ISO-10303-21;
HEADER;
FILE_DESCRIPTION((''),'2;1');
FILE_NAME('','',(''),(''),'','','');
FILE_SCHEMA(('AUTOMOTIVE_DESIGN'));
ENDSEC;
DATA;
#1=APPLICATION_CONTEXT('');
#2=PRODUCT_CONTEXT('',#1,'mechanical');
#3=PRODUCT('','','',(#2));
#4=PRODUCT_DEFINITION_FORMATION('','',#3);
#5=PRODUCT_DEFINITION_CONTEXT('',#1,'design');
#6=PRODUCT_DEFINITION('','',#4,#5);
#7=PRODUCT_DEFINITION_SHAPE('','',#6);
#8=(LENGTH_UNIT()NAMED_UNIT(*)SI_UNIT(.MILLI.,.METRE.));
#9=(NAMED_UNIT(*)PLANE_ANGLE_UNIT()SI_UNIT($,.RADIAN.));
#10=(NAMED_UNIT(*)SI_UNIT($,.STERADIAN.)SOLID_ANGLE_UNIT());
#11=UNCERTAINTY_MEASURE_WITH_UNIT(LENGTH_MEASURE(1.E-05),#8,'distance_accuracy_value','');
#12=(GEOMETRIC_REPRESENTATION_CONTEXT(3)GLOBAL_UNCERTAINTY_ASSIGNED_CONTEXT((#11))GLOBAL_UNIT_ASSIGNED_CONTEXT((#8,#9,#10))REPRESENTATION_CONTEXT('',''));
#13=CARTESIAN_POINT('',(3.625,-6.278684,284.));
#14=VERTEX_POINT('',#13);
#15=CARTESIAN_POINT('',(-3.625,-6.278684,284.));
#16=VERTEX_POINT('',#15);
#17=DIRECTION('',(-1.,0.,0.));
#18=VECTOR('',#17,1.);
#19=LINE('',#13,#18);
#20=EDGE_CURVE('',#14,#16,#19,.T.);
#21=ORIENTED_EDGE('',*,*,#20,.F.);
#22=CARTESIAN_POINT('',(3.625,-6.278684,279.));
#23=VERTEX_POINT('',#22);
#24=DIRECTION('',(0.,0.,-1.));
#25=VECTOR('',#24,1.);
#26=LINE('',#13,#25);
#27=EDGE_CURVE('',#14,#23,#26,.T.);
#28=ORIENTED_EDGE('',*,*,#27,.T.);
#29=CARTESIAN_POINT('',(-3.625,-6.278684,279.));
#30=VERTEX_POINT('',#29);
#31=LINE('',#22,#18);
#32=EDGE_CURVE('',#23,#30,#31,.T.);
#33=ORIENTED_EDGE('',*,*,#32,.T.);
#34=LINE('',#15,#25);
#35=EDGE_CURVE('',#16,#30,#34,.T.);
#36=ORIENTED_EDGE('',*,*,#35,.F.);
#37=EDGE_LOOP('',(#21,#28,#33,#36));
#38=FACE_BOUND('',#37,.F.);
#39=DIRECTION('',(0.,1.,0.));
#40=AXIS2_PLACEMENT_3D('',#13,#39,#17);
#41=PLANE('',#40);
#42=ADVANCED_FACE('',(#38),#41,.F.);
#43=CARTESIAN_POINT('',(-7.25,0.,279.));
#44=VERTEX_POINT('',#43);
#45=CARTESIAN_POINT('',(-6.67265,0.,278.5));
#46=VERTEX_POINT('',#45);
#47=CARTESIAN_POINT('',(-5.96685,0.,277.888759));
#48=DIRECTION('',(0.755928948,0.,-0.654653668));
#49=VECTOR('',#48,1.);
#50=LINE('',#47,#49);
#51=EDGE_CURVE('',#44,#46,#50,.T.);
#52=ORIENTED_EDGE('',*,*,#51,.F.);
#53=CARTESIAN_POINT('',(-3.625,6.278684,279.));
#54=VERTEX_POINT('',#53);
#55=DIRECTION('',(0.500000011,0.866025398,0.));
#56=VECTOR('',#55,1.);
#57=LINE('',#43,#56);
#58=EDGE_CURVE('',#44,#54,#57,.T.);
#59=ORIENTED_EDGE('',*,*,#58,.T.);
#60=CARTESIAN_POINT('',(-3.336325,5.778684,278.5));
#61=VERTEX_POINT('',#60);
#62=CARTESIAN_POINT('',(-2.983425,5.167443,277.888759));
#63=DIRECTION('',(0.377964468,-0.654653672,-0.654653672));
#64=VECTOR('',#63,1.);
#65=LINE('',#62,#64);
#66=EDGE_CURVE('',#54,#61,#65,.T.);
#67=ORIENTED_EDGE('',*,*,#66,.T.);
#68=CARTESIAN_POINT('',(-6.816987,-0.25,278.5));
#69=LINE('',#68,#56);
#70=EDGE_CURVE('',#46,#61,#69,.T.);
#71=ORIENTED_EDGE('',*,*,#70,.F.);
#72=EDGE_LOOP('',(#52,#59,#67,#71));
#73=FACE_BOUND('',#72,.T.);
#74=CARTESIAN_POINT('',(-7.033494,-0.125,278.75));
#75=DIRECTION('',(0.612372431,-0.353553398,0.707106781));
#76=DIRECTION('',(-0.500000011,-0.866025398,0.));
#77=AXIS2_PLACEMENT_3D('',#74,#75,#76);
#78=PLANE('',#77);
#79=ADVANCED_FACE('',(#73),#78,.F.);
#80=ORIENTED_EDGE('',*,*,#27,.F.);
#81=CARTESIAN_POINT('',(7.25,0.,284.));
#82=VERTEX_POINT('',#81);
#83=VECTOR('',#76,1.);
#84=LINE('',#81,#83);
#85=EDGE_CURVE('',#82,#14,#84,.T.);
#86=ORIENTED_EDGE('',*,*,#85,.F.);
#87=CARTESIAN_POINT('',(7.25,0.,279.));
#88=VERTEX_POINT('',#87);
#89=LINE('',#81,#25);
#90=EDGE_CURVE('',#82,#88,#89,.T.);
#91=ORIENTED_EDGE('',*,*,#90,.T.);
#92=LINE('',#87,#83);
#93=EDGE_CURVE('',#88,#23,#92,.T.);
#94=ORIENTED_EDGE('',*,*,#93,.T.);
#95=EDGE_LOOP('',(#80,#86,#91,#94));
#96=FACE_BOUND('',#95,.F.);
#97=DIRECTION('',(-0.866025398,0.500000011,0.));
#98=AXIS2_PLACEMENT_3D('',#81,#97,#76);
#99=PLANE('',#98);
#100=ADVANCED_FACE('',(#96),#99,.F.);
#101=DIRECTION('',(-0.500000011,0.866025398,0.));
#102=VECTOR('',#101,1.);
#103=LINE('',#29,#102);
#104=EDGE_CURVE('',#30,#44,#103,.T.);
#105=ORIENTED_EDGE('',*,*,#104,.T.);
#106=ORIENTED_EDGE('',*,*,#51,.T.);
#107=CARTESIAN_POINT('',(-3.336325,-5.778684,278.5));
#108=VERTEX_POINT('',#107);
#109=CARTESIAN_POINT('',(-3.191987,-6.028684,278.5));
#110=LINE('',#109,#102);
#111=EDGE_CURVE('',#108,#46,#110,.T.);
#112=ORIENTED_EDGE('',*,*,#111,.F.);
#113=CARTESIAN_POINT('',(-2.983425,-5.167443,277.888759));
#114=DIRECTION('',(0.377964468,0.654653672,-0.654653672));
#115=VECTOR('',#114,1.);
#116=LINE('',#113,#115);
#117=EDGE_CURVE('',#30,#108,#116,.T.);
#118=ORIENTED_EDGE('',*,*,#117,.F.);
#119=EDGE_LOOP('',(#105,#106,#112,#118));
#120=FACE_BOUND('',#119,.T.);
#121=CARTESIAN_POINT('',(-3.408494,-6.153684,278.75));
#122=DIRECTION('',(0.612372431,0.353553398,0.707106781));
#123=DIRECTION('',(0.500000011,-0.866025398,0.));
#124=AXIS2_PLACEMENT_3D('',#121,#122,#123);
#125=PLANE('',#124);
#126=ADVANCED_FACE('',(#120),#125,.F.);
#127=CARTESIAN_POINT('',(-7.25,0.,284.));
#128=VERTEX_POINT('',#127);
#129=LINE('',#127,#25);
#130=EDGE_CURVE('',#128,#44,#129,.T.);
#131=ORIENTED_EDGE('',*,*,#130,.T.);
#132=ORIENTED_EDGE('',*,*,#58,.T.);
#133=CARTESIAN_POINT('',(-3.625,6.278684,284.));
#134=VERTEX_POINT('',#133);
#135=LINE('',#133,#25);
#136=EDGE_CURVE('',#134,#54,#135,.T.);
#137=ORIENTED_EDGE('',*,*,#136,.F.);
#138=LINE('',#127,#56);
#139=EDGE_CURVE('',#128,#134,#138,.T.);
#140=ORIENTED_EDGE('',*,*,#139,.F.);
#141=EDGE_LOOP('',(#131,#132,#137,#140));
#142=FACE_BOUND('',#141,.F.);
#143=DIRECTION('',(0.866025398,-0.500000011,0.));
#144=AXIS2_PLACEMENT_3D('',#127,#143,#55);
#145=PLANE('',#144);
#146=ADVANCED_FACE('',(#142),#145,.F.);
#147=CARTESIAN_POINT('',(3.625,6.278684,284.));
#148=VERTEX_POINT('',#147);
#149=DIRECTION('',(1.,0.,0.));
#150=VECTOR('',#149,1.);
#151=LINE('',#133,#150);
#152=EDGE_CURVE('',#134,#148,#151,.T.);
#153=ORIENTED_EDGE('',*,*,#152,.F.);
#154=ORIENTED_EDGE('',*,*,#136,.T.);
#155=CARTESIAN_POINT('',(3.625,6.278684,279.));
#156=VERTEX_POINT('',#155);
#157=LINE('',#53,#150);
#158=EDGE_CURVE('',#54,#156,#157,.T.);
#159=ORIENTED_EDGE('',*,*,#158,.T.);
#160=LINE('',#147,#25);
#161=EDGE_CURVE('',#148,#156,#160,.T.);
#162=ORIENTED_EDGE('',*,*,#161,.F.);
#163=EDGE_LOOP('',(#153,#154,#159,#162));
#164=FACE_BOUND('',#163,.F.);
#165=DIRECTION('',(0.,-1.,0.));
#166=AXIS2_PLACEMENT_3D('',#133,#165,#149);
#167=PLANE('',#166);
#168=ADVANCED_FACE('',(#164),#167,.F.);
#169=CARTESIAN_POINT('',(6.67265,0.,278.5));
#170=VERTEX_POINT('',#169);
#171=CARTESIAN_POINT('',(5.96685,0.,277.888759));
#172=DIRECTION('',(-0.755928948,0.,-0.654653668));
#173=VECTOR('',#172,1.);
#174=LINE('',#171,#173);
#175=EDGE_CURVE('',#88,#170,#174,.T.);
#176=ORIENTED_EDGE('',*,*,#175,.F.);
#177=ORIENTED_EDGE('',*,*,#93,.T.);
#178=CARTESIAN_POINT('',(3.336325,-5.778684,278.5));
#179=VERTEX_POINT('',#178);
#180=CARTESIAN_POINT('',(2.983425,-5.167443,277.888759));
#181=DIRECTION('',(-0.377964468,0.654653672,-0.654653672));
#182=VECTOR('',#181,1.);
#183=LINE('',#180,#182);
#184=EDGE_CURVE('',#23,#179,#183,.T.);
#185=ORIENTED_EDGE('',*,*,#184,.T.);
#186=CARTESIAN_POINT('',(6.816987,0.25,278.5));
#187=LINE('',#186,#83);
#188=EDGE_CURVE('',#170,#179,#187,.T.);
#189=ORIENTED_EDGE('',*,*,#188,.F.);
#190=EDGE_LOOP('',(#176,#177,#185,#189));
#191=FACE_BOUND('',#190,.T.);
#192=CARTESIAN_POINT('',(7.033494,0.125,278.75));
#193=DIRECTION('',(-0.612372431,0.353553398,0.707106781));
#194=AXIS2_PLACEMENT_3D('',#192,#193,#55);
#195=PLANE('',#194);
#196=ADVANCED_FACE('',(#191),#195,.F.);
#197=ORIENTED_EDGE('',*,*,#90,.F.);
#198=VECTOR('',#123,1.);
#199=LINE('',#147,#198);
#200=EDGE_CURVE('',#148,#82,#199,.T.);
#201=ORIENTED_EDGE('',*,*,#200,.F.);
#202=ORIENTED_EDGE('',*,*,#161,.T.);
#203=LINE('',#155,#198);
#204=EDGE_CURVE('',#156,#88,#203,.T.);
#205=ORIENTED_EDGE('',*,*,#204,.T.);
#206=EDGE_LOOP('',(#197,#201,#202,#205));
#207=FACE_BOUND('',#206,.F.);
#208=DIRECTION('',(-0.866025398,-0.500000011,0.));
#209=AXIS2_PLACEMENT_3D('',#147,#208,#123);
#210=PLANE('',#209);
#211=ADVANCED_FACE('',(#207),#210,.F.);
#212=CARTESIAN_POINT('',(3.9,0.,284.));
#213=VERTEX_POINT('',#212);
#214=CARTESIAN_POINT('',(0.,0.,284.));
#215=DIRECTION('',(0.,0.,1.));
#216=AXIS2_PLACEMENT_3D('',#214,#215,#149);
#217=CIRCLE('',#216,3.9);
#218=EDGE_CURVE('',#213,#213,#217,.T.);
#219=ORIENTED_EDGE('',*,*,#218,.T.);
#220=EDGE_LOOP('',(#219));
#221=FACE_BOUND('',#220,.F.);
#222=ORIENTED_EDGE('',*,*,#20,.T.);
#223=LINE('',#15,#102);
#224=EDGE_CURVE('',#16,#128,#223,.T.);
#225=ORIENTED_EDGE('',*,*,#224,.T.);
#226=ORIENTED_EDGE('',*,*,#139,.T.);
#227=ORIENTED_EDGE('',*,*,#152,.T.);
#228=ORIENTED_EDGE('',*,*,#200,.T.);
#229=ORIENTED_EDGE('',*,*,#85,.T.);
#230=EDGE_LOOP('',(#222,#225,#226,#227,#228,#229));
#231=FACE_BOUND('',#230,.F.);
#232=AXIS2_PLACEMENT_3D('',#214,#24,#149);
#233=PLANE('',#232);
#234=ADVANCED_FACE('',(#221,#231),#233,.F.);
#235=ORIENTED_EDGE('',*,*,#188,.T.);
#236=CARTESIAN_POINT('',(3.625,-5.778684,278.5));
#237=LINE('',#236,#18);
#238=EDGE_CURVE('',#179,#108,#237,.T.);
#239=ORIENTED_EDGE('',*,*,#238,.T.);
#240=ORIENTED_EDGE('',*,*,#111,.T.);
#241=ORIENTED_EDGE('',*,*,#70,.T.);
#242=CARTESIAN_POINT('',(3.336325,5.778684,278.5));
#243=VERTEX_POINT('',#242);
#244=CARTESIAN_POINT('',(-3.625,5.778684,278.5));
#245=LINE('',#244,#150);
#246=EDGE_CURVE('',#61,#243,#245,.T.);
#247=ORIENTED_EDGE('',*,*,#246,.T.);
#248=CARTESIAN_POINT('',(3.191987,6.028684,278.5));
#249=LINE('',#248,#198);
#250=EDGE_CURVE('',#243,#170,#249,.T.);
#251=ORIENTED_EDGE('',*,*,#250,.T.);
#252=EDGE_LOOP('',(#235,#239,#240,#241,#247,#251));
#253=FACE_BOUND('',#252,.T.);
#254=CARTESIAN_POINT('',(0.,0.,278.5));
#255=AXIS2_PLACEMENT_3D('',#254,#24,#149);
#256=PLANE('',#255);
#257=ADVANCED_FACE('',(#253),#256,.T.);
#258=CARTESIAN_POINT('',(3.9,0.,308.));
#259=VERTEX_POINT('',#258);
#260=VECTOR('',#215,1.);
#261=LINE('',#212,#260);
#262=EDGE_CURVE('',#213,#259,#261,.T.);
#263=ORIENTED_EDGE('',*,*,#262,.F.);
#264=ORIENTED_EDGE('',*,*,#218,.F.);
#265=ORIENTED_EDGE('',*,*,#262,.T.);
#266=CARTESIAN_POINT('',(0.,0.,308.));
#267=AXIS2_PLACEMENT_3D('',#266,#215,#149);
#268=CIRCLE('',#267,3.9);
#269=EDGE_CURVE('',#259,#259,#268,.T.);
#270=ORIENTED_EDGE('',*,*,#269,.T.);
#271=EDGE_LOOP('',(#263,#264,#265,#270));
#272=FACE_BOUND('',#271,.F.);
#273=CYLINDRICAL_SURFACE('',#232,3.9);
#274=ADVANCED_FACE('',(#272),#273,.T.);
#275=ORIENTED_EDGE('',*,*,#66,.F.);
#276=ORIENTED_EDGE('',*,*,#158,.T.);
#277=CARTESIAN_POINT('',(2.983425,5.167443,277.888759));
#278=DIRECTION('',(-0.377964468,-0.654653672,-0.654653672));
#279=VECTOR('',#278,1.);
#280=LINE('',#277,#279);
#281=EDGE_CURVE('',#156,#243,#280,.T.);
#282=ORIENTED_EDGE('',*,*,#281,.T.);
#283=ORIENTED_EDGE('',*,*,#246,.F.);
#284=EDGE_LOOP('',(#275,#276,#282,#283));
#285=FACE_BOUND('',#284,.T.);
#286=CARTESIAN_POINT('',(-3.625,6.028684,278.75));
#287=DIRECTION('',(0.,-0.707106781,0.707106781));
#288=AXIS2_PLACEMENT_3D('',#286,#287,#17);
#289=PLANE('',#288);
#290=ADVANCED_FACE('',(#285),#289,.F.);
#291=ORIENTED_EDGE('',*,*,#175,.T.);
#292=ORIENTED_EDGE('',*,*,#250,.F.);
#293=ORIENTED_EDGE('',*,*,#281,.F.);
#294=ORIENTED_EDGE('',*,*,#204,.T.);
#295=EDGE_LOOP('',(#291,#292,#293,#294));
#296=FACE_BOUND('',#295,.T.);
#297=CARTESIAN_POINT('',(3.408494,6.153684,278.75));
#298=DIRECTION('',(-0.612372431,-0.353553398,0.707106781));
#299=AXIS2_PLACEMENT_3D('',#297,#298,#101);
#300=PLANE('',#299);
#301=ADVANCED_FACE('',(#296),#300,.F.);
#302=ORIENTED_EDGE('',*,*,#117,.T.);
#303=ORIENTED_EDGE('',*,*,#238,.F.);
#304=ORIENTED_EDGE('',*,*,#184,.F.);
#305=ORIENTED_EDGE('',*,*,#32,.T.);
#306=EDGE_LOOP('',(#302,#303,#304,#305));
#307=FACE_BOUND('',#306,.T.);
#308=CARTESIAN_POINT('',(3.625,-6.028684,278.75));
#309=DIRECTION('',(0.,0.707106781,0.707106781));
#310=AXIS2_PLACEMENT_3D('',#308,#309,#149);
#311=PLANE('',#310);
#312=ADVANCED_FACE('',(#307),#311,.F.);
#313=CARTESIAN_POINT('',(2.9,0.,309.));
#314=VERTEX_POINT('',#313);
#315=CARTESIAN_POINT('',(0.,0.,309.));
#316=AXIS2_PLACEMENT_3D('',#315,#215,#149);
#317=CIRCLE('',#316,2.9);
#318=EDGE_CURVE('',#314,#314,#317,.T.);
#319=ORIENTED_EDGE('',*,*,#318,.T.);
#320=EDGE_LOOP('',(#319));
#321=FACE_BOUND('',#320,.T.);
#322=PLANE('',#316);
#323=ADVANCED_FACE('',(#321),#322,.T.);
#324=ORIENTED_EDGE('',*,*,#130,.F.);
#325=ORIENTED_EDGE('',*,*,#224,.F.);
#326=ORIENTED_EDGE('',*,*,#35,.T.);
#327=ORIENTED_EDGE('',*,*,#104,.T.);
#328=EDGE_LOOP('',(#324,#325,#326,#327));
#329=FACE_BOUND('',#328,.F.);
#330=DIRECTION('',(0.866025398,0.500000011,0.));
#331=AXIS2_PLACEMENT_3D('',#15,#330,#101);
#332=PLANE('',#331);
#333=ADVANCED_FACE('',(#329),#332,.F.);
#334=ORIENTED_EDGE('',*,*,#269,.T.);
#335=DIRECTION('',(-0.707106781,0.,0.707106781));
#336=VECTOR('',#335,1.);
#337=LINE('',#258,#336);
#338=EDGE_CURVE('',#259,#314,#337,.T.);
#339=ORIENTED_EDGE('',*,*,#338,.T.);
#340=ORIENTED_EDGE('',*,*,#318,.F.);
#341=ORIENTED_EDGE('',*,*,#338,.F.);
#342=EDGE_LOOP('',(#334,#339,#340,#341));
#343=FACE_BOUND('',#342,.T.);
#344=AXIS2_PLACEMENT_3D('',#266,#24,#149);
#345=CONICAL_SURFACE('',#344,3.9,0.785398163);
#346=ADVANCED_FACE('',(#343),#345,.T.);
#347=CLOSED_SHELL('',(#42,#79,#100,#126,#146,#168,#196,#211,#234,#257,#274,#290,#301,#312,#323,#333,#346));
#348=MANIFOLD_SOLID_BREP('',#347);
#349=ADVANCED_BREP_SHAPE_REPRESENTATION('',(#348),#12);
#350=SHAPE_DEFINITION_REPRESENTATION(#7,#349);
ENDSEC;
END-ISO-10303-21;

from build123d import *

# Parameters (mm, degrees)
PAD029_DEPTH            = 5.5
SKETCH060_R             = 3.9
PAD030_DEPTH            = 25
CHAMFER011_SIZE         = 1
CHAMFER012_SIZE         = 0.5
BODY020_PLACEMENT_ANGLE = 180


with BuildPart() as part:
    # Sketch059 → Pad029 (new body)
    with BuildSketch(Plane.XY):
        Polygon((7.25, 0), (3.625, 6.278684), (-3.625, 6.278684), (-7.25, 0), (-3.625, -6.278684), (3.625, -6.278684), align=None)
    extrude(amount=PAD029_DEPTH)

    # Sketch060 (on Face7 of Pad029) → Pad030 (join)
    with BuildSketch(Plane(origin=(0, 0, 0), x_dir=(1, 0, 0), z_dir=(0, 0, -1))):
        Circle(SKETCH060_R)
    extrude(amount=PAD030_DEPTH)

    # Chamfer011
    chamfer011_edges = [part.edges().sort_by_distance(p)[0] for p in [
        (-3.9, 0, -25),
    ]]
    chamfer(chamfer011_edges, length=CHAMFER011_SIZE)

    # Chamfer012
    chamfer012_edges = [part.edges().sort_by_distance(p)[0] for p in [
        (5.4375, 3.139342, 5.5),
        (0, 6.278684, 5.5),
        (-5.4375, 3.139342, 5.5),
        (-5.4375, -3.139342, 5.5),
        (0, -6.278684, 5.5),
        (5.4375, -3.139342, 5.5),
    ]]
    chamfer(chamfer012_edges, length=CHAMFER012_SIZE)


with BuildPart() as part_1:
    # Body020 placement: moved
    add(part.part.moved(Location((0, 0, 284))).rotate(Axis((0, 0, 284), (1, 0, 0)), BODY020_PLACEMENT_ANGLE))


solid = part_1.part
